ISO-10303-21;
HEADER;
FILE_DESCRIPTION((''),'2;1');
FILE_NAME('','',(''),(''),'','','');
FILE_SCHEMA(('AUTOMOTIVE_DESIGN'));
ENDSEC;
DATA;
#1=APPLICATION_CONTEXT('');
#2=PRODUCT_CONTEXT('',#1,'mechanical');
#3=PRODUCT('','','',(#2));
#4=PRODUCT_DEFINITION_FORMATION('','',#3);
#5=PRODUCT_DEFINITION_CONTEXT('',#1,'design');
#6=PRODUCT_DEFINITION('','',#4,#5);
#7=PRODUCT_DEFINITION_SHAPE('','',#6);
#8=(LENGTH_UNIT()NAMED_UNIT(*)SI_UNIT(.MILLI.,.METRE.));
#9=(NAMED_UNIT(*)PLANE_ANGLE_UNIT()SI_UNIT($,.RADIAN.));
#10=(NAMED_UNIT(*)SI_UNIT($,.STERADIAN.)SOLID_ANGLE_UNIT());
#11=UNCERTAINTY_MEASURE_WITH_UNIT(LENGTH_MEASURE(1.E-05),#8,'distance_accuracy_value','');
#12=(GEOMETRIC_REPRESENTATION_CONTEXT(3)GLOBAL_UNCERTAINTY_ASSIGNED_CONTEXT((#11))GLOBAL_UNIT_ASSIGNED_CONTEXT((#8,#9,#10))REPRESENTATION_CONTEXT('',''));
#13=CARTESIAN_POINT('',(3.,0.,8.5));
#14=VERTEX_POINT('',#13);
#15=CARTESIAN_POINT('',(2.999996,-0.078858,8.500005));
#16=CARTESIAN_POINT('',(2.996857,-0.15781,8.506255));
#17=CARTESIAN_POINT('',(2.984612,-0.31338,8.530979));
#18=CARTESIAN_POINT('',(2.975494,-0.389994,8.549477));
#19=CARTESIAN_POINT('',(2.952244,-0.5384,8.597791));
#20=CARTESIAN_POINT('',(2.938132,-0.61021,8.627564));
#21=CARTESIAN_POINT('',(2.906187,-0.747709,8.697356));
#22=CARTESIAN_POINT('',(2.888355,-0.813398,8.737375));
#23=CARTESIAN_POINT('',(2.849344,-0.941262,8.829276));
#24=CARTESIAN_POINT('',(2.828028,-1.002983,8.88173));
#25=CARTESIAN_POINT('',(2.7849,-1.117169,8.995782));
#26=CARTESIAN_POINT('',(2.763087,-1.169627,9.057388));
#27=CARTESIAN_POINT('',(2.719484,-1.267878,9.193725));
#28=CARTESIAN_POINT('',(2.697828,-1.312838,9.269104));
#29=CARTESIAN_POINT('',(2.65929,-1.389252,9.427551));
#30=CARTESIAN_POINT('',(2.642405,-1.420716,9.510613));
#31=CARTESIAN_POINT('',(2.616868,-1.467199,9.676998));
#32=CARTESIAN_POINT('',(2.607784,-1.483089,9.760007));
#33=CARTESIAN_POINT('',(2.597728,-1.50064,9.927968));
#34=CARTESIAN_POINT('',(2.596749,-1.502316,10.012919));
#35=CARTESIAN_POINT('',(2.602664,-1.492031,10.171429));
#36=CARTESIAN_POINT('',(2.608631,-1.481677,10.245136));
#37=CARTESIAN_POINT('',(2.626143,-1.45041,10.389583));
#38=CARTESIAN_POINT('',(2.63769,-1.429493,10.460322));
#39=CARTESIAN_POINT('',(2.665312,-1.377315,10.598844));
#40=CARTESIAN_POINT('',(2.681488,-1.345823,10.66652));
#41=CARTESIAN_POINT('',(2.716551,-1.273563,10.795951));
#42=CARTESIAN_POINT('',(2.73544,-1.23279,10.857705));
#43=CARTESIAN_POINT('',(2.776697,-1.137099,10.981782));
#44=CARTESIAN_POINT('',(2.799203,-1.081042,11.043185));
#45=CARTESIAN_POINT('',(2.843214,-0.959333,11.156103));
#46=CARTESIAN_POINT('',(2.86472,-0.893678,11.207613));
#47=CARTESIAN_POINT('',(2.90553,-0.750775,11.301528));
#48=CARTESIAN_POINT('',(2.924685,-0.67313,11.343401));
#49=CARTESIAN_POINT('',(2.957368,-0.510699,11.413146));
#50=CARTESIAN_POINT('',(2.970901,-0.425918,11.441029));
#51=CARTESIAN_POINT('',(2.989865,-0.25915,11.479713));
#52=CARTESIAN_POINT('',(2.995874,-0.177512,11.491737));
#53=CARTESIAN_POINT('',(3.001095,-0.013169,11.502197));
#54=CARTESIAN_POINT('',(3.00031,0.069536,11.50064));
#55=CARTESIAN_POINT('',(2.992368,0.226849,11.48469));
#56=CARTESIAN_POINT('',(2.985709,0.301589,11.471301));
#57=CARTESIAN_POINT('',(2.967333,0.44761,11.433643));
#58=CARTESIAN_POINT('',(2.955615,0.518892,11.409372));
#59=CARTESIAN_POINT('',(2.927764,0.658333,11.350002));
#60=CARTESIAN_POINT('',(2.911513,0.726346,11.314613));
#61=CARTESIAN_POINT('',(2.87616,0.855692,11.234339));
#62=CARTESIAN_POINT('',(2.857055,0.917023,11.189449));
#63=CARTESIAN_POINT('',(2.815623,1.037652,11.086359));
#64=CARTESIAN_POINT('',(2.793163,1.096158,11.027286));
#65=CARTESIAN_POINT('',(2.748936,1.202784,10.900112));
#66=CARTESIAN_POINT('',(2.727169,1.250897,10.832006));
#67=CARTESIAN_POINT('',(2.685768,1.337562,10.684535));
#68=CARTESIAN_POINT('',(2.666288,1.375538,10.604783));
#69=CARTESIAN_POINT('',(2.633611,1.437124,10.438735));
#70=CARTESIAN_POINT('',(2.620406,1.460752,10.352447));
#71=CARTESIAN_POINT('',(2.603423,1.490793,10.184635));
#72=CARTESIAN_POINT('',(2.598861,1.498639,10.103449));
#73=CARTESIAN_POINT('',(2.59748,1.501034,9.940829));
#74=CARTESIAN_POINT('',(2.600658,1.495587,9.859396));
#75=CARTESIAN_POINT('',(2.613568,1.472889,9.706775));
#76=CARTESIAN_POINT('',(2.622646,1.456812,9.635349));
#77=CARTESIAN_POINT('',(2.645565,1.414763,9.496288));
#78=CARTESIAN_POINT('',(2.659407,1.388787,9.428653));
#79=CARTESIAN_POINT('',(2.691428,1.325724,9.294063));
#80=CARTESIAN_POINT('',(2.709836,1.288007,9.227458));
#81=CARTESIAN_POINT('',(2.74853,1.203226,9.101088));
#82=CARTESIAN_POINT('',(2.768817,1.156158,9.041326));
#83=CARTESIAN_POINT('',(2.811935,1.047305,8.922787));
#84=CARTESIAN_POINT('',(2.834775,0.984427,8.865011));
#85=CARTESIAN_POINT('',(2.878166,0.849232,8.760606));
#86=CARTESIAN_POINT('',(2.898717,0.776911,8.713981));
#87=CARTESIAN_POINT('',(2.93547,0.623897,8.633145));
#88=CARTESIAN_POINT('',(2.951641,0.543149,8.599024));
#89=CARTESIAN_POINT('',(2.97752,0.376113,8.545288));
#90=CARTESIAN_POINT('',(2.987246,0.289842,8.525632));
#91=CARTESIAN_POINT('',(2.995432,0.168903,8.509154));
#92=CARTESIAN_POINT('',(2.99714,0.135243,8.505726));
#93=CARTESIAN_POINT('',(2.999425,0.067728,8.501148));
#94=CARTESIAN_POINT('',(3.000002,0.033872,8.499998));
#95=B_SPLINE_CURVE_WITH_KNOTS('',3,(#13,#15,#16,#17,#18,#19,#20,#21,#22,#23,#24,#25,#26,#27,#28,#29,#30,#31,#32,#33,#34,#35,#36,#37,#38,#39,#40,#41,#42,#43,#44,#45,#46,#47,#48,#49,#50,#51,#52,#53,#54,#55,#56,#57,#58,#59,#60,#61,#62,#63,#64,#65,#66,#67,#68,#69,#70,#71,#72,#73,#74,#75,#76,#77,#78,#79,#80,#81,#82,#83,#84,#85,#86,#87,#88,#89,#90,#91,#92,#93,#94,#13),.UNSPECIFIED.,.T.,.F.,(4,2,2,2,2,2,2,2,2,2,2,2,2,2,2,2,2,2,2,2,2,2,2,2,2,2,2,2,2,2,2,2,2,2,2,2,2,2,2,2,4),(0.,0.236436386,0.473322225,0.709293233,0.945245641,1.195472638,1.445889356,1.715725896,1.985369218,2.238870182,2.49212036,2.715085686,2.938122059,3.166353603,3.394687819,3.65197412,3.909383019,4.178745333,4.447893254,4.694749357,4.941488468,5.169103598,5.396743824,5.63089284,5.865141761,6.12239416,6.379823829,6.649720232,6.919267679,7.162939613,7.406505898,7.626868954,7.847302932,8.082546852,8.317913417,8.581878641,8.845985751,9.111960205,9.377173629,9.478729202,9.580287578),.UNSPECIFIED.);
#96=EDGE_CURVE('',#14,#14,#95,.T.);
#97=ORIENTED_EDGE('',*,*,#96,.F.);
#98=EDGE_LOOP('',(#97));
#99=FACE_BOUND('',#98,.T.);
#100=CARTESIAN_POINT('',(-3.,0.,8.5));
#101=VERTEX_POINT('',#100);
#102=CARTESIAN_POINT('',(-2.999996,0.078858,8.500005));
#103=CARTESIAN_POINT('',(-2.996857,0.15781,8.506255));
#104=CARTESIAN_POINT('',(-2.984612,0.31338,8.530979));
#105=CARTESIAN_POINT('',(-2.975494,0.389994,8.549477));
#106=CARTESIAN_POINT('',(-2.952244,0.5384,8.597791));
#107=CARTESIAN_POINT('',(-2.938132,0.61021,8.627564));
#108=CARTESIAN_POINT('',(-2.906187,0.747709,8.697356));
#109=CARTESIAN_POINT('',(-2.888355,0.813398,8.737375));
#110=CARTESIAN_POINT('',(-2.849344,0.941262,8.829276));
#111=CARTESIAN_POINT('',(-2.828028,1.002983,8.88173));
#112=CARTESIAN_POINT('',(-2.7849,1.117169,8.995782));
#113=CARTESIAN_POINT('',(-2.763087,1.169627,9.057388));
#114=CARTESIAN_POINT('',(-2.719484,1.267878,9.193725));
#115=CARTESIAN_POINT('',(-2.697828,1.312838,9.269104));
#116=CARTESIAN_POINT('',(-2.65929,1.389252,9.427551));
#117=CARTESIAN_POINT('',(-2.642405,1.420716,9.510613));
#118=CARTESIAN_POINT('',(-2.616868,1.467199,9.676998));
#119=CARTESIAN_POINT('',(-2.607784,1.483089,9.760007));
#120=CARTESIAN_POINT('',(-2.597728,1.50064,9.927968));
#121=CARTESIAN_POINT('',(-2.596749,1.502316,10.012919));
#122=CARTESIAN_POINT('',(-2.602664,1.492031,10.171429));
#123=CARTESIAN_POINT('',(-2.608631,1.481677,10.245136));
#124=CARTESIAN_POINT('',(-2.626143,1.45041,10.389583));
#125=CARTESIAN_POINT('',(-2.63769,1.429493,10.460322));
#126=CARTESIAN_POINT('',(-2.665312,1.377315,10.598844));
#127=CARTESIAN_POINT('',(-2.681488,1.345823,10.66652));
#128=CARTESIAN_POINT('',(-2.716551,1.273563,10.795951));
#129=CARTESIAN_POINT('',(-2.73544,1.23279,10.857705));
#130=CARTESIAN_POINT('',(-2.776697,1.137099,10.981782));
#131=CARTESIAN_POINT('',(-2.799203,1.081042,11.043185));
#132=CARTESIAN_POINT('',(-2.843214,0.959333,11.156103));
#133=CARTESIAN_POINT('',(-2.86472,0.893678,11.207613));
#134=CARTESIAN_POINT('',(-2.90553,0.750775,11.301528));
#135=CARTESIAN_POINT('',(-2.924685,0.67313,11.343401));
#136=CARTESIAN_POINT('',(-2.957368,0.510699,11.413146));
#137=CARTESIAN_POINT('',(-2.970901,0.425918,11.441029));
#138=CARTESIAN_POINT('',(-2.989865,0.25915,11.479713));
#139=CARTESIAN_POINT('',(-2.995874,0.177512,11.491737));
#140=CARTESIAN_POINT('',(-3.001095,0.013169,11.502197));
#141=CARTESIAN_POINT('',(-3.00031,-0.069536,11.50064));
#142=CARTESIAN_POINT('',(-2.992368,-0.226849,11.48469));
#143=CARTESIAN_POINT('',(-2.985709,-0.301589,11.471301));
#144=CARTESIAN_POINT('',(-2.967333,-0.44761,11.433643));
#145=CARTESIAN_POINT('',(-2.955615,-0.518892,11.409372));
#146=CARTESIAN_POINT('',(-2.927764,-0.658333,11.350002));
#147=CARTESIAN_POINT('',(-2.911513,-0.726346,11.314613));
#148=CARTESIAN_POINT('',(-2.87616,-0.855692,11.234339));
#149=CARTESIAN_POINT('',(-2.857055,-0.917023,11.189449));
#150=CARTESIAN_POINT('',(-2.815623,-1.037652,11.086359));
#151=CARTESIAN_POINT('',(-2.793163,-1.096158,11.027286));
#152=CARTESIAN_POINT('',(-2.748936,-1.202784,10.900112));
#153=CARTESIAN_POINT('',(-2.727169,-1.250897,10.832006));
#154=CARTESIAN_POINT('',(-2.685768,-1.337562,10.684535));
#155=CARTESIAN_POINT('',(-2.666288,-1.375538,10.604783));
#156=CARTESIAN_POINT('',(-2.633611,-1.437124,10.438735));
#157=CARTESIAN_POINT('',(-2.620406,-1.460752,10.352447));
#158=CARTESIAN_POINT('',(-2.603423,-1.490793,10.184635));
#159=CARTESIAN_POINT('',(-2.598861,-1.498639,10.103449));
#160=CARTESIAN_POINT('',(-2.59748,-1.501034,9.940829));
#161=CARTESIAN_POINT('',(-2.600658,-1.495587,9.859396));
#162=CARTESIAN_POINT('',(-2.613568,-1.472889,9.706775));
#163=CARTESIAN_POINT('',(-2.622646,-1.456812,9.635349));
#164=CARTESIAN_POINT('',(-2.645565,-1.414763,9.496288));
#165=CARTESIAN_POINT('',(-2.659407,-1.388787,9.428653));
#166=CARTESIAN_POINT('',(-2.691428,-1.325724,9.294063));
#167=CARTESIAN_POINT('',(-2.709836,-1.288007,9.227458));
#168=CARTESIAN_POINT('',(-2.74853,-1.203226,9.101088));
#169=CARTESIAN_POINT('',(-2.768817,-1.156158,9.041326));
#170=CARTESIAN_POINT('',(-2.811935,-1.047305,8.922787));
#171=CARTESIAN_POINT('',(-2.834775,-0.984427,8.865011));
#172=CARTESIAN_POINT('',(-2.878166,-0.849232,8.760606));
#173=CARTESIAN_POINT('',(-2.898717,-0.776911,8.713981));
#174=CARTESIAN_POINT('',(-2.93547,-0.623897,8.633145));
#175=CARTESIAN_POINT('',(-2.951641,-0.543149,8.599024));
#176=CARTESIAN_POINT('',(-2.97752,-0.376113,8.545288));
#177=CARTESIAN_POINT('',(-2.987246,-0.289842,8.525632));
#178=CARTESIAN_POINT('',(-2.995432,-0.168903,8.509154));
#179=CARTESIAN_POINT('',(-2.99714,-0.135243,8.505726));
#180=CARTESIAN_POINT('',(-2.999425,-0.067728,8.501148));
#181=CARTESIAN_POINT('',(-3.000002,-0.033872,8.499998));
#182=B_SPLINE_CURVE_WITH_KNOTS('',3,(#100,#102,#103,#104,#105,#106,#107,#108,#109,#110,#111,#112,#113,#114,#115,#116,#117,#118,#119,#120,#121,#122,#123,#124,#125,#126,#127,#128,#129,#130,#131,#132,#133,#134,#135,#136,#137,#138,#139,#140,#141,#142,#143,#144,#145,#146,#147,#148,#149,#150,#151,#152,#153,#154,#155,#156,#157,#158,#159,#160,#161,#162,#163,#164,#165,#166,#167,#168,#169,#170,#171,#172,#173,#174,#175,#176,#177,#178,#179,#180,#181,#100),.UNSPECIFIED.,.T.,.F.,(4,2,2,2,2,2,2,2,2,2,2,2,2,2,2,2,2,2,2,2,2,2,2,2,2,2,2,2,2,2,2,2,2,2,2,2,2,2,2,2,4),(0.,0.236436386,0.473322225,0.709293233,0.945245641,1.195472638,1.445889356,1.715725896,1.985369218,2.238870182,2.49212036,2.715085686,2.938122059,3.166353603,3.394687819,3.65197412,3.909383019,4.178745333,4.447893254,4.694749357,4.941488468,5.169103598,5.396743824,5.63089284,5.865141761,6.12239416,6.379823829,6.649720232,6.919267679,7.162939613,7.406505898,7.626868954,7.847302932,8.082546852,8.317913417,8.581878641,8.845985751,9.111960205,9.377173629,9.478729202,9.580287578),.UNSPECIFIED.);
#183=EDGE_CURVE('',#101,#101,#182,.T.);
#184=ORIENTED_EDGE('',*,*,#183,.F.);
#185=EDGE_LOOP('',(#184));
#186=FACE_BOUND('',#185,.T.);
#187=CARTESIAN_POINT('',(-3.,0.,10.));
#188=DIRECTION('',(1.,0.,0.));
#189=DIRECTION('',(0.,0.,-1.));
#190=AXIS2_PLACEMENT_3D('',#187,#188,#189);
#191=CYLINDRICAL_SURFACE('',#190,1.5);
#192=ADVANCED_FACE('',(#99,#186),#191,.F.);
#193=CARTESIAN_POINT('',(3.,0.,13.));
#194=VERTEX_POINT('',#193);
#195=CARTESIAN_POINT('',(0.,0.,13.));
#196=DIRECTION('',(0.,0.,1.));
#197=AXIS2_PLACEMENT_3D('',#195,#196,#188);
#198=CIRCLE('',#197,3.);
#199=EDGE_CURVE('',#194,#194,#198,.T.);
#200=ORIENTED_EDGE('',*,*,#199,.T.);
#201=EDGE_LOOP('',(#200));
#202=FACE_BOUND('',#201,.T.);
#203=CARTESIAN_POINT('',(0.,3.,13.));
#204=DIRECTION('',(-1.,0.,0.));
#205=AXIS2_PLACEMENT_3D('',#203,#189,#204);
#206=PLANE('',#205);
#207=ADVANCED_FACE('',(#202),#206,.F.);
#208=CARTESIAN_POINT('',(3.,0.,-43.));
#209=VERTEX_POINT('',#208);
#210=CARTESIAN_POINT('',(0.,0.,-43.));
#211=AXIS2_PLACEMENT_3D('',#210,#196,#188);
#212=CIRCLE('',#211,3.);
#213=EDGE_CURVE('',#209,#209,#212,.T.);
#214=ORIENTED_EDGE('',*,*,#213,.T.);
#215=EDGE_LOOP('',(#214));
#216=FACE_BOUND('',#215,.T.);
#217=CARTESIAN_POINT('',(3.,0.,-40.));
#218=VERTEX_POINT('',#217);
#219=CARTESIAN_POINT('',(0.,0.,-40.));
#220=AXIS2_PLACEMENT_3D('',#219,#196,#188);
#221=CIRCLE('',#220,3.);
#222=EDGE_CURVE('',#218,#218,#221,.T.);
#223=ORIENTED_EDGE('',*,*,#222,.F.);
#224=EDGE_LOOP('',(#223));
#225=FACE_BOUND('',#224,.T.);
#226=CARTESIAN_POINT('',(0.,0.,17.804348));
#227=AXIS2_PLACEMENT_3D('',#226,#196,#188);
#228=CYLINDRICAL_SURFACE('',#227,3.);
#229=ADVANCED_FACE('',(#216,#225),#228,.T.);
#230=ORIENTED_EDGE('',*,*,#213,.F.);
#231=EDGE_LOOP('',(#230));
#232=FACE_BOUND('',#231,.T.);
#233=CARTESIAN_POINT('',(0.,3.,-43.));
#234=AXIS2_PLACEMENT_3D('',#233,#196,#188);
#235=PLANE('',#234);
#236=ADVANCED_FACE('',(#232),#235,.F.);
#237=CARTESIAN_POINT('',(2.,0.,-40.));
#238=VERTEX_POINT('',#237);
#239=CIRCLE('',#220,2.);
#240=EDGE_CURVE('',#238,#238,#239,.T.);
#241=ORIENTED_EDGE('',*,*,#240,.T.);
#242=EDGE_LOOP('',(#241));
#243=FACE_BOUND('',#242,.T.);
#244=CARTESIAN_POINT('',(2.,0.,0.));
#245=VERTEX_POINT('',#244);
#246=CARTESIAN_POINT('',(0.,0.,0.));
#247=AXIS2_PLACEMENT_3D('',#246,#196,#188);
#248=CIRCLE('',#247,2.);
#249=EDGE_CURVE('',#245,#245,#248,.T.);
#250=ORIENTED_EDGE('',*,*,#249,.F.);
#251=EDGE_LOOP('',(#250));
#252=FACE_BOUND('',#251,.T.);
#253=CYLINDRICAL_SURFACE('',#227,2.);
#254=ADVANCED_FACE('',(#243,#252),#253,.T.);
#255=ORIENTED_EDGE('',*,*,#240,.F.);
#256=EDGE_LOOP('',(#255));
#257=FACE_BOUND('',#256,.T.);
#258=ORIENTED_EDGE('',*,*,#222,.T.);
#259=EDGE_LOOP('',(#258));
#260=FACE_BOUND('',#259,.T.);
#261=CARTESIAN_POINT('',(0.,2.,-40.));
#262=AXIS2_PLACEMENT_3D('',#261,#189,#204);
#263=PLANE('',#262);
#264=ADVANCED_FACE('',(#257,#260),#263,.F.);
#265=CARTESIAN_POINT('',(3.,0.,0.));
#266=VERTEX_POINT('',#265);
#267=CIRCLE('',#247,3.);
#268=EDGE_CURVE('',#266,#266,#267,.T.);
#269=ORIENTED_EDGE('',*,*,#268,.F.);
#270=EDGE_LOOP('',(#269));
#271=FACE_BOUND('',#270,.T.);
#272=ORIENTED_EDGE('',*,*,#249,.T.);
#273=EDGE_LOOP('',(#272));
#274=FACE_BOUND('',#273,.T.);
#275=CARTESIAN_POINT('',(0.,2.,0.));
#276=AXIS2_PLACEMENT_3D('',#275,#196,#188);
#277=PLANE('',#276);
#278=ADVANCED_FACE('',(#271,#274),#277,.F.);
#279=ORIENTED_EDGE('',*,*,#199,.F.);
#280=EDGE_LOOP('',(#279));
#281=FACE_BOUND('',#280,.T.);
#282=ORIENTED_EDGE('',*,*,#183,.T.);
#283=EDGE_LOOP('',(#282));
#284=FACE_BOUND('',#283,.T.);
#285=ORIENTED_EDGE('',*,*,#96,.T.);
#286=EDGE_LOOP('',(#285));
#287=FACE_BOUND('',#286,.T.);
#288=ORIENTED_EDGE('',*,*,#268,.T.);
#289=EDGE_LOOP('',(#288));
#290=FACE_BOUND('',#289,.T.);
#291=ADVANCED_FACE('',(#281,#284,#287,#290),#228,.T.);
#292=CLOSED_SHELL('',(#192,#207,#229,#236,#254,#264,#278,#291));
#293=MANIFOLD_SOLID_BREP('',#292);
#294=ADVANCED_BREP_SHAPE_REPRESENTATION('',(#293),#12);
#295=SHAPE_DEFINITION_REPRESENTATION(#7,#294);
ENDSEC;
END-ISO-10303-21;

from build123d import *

# Parameters (mm, degrees)
SKETCH_2_R               = 1.5
CUT_EXTRUDE_1_DEPTH      = 4
CUT_EXTRUDE_1_DEPTH_BACK = 4


with BuildPart() as part:
    # 草圖1 → 旋轉1 (revolve)
    with BuildSketch(Plane(origin=(0, 0, 0), x_dir=(0, 0, -1), z_dir=(1, 0, 0))):
        Polygon((0, 2), (0, 3), (-13, 3), (-13, 0), (43, 0), (43, 3), (40, 3), (40, 2), align=None)
    revolve(axis=Axis((0, 0, 17.804347826), (0, 0, -1)))

    # 草圖2 → 除料-伸長1 (cut, two sides)
    with BuildSketch(Plane(origin=(0, 0, 0), x_dir=(0, 0, -1), z_dir=(1, 0, 0))) as cut_extrude_1_sk:
        with Locations((-10, 0)):
            Circle(SKETCH_2_R)
    extrude(amount=CUT_EXTRUDE_1_DEPTH, mode=Mode.SUBTRACT)
    extrude(cut_extrude_1_sk.sketch, amount=-CUT_EXTRUDE_1_DEPTH_BACK, mode=Mode.SUBTRACT)


solid = part.part
